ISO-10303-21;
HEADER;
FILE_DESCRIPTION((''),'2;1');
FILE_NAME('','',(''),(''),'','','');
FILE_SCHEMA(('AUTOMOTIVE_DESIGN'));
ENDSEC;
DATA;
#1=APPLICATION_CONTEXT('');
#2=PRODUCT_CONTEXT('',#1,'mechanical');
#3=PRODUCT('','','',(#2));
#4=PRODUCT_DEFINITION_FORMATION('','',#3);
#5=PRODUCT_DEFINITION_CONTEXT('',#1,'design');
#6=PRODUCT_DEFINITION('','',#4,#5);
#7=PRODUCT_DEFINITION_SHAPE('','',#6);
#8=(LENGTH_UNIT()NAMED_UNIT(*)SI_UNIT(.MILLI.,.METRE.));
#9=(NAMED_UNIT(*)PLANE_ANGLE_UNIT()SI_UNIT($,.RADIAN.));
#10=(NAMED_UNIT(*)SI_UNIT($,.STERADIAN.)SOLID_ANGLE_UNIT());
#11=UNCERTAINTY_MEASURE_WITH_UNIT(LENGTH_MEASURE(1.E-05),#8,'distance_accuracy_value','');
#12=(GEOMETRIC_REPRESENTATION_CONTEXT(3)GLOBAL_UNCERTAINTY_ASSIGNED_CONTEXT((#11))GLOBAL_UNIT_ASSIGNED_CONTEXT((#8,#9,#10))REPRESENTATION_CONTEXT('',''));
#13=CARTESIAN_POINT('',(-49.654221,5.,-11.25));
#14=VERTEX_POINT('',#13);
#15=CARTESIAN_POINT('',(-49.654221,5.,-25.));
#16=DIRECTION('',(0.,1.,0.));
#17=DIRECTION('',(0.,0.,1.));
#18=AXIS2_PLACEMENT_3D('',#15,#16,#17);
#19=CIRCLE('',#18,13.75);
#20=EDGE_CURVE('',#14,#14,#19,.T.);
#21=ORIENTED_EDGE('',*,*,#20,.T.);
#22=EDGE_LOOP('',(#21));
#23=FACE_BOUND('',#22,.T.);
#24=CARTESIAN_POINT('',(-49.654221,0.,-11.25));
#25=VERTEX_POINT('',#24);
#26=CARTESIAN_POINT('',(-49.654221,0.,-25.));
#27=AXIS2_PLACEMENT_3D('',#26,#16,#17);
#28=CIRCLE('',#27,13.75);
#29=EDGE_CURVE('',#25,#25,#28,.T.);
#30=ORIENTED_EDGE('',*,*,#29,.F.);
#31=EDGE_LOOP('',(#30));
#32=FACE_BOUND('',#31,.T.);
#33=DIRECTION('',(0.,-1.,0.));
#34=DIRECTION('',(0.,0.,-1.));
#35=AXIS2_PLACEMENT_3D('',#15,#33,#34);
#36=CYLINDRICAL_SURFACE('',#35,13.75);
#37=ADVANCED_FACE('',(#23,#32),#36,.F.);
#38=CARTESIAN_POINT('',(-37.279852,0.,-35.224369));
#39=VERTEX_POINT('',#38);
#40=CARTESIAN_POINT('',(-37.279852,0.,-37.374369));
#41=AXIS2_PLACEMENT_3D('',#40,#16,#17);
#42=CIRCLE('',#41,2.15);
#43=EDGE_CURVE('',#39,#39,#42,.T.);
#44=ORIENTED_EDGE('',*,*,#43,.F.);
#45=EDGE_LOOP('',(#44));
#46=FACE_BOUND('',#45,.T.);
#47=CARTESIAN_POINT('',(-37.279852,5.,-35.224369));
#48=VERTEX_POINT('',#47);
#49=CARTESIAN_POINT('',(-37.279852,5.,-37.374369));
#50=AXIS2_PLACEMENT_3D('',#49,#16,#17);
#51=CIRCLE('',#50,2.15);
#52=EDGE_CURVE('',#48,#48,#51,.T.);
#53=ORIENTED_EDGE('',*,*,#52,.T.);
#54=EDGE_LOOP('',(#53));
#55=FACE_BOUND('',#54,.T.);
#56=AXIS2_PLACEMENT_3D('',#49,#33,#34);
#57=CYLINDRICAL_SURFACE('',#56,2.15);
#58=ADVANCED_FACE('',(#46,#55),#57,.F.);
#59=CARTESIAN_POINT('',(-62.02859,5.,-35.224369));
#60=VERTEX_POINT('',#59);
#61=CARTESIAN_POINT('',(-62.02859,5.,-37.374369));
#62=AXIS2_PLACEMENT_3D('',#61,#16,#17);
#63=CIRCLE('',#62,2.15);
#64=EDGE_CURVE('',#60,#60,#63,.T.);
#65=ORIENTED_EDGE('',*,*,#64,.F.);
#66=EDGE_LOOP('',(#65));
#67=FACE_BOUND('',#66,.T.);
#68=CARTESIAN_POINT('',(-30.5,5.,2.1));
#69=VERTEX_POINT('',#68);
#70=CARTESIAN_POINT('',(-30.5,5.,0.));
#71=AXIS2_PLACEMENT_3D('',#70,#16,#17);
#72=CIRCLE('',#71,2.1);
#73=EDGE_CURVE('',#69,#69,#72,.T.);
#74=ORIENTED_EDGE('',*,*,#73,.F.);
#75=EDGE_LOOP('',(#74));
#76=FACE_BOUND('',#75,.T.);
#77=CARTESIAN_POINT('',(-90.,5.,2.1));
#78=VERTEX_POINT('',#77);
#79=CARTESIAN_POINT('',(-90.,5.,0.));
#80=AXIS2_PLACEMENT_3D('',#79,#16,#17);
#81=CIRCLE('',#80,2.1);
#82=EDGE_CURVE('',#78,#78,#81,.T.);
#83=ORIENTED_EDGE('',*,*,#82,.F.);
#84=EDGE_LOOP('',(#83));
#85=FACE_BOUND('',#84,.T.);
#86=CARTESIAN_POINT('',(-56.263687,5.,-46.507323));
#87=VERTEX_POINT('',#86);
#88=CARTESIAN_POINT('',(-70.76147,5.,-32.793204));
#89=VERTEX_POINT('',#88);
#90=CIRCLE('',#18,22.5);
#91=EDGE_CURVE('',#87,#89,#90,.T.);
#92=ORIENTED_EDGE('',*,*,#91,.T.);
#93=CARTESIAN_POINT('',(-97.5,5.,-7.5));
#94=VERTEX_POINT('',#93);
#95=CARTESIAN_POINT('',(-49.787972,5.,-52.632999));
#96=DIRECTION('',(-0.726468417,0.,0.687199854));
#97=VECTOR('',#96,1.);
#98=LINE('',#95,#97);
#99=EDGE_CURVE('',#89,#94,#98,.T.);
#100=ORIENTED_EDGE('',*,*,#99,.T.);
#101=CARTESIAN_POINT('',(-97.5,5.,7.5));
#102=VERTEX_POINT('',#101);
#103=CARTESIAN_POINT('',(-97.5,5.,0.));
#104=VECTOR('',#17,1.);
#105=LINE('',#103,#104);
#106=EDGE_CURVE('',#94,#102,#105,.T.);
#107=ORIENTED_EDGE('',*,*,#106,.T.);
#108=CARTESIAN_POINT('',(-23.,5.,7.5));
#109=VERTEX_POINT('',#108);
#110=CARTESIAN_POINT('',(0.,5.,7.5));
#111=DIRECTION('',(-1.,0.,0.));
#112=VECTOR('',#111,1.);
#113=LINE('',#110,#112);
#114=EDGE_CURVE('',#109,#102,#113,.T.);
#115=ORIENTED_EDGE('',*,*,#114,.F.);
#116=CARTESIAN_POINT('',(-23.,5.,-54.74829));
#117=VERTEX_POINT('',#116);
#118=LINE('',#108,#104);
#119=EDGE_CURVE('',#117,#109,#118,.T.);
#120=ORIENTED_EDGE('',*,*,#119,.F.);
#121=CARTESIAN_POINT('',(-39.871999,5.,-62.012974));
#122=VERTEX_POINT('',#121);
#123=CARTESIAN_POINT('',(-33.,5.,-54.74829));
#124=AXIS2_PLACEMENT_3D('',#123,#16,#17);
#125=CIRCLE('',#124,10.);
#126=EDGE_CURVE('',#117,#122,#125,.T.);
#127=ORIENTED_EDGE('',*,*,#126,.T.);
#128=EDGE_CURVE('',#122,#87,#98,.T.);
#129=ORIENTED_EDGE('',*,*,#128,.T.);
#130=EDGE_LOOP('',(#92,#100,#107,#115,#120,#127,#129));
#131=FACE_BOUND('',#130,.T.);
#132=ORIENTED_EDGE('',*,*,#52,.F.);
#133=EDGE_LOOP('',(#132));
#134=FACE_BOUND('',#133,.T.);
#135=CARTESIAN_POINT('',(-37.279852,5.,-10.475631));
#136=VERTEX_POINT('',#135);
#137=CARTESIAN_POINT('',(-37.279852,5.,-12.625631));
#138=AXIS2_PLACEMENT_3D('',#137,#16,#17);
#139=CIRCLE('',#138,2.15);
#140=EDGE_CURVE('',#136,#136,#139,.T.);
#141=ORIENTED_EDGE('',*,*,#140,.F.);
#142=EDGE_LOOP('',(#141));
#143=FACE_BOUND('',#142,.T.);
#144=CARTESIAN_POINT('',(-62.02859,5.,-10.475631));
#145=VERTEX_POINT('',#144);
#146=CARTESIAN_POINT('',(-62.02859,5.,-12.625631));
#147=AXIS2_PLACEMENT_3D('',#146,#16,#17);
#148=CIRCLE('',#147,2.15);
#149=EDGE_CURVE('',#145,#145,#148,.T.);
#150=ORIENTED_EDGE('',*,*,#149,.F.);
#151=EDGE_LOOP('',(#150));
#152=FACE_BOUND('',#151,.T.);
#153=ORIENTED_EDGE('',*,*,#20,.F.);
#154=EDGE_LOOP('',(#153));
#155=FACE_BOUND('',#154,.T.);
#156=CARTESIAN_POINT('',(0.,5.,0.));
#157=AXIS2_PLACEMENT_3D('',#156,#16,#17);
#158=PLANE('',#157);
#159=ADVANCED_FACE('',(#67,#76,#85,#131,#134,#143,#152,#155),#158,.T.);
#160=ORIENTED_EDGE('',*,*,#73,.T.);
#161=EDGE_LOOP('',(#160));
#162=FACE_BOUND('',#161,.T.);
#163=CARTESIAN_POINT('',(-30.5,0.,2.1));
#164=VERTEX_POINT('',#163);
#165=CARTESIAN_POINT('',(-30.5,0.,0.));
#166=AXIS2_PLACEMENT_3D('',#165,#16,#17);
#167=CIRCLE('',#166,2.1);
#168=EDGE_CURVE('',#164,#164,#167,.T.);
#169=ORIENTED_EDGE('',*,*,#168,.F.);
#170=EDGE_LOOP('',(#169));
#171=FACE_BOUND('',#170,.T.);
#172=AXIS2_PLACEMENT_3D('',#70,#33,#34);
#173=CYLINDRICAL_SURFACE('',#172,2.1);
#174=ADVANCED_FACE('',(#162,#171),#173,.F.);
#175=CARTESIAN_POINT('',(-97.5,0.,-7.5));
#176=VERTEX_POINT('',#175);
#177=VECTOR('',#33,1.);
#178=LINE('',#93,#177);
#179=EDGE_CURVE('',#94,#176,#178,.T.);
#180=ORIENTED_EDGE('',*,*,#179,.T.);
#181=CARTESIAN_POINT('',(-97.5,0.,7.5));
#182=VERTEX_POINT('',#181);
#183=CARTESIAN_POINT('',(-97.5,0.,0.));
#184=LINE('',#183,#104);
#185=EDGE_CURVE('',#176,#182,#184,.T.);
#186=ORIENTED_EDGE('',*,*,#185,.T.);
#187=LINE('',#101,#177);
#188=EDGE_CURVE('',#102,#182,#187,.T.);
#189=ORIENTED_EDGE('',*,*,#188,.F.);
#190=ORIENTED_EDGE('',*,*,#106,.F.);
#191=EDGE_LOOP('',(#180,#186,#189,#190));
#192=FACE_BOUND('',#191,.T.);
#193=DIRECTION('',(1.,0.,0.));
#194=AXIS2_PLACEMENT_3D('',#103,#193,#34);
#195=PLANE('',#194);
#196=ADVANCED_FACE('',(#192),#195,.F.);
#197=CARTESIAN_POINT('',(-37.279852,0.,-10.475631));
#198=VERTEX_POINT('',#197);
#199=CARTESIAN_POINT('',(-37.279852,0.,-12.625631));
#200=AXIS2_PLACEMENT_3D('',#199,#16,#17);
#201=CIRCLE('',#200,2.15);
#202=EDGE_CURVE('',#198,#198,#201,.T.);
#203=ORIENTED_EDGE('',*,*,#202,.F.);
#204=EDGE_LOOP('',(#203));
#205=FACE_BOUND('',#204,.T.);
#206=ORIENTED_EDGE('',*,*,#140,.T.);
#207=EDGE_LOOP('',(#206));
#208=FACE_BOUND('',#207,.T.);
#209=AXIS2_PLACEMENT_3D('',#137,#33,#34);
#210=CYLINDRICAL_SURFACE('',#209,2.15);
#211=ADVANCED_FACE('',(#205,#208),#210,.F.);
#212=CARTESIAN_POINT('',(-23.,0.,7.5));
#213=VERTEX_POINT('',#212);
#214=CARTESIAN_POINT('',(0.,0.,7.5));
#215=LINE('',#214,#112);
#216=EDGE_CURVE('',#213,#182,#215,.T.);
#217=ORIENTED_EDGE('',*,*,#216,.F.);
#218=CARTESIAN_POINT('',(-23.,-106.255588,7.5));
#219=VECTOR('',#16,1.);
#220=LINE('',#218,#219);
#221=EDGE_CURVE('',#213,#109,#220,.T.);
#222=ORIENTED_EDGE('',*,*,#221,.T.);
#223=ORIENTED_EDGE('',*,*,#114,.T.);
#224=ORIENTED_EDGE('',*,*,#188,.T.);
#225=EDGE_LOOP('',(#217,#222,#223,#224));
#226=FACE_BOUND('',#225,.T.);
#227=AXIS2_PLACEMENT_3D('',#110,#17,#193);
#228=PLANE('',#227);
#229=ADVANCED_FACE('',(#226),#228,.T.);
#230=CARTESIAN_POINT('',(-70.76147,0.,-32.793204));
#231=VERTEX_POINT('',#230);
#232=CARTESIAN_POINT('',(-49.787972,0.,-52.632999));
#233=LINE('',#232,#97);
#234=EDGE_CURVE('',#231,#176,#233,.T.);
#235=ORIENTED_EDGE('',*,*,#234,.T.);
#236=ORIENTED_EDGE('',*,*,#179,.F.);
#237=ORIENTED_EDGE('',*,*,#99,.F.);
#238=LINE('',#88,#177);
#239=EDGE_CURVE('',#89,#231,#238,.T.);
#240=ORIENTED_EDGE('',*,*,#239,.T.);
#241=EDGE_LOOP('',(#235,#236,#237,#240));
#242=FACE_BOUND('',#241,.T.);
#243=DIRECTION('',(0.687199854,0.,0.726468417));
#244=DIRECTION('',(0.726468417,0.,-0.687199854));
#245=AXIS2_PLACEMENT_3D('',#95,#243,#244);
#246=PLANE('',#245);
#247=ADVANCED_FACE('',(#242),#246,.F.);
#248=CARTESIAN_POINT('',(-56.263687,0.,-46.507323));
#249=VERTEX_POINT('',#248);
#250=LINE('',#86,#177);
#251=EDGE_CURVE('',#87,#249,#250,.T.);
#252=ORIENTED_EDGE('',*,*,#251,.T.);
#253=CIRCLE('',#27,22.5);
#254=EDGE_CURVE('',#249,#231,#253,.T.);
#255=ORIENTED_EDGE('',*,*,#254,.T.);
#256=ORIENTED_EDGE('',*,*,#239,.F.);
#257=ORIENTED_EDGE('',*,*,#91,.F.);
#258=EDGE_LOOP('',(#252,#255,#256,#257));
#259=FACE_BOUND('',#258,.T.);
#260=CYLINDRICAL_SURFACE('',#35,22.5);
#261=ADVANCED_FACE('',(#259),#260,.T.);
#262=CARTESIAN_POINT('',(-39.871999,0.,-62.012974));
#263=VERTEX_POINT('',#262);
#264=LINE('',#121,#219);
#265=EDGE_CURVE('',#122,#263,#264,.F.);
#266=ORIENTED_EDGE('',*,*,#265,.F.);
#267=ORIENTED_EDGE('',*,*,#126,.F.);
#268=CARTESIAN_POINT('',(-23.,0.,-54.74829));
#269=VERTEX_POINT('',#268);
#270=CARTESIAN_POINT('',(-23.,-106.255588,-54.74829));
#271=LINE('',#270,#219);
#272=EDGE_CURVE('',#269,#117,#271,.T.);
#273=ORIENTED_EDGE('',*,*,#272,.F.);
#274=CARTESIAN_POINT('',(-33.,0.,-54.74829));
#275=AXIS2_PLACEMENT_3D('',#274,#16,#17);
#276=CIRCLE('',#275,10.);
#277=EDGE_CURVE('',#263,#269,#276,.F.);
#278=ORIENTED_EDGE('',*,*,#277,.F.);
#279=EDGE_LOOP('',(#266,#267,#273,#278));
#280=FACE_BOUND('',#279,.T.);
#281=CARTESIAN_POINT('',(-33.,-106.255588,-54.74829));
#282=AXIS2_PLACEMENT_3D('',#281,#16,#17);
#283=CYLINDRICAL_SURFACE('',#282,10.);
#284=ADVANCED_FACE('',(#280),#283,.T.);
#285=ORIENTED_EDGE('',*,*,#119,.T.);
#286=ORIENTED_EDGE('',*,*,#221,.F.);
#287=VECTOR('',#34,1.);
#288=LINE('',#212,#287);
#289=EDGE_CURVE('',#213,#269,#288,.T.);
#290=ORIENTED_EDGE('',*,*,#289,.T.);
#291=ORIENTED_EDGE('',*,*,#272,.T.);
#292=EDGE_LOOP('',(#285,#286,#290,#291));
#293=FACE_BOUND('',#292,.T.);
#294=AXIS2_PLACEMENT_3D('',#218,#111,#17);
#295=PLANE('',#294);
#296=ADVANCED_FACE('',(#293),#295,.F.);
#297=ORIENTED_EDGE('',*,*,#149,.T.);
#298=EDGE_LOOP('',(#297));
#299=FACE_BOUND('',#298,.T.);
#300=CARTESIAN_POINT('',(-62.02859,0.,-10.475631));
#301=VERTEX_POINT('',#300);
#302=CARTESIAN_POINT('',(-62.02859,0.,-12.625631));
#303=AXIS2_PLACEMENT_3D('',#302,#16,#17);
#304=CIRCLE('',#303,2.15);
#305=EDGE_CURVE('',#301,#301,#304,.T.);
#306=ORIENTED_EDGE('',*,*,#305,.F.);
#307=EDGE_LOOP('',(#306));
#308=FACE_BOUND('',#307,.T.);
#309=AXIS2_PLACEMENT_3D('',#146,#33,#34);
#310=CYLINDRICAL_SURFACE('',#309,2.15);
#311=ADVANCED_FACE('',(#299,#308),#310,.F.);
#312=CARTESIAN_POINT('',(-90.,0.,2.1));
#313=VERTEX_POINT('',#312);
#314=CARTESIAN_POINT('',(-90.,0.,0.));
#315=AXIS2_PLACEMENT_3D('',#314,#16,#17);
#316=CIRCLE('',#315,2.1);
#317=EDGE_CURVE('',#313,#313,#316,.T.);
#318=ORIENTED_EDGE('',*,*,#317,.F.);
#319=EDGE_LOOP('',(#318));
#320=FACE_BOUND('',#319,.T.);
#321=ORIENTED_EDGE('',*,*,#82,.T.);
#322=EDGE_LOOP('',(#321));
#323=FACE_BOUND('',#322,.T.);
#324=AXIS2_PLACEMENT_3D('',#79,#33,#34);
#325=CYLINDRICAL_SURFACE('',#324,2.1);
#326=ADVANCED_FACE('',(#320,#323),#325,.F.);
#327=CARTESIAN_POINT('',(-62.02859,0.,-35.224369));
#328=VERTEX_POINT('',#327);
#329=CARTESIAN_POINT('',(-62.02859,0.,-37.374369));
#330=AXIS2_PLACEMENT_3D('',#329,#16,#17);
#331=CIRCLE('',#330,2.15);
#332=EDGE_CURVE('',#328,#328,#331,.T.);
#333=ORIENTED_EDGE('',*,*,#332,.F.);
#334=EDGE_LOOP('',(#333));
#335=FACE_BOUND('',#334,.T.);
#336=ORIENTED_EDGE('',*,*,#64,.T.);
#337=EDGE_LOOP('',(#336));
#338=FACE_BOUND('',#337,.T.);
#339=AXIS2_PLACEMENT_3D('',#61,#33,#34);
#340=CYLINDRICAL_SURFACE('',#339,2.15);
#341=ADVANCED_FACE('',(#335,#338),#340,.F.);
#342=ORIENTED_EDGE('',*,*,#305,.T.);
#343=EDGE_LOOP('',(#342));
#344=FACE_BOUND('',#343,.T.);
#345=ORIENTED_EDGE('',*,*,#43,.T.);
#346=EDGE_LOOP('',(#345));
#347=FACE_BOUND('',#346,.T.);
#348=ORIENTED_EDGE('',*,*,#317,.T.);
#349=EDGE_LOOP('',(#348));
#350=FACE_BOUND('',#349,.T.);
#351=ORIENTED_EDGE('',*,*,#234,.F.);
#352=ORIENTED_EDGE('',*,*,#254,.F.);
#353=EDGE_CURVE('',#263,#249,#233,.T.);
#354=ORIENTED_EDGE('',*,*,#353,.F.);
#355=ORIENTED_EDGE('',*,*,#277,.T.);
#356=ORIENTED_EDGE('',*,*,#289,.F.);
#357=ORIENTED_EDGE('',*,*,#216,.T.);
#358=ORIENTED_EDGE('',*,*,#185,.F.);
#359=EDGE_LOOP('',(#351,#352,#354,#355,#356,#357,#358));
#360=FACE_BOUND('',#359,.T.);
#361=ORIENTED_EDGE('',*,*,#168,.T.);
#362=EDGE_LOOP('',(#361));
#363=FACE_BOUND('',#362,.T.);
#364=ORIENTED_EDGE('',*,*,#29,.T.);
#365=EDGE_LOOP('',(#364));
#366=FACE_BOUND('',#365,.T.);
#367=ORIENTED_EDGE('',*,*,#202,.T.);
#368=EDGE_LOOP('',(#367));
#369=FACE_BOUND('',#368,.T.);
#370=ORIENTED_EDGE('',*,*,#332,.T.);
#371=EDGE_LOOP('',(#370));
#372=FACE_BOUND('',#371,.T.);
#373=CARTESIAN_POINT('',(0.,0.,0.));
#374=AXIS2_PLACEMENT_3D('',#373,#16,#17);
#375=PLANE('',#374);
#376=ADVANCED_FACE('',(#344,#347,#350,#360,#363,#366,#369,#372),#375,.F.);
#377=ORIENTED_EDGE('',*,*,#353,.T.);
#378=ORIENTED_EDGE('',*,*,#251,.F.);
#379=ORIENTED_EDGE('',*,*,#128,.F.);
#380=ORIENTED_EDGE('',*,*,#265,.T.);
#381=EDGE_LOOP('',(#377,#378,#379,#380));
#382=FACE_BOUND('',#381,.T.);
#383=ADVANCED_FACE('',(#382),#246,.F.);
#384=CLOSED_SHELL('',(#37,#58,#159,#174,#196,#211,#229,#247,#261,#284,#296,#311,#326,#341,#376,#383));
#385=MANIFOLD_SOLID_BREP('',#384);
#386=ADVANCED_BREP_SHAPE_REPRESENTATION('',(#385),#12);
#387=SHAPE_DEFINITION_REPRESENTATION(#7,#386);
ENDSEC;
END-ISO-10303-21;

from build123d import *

# Parameters (mm, degrees)
SKETCH_1_R          = 2.1
SKETCH_1_R_2        = 2.15
SKETCH_1_R_3        = 13.75
EXTRUDE_1_DEPTH     = 5
CUT_EXTRUDE_1_DEPTH = 5
FILLET_1_R          = 10


with BuildPart() as part:
    # ｽｹｯﾁ1 → ﾎﾞｽ - 押し出し1 (new body)
    with BuildSketch(Plane(origin=(0, 0, 0), x_dir=(1, 0, 0), z_dir=(0, 1, 0))):
        with BuildLine():
            Line((5, -7.5), (5, 0))
            Line((5, 0), (5, 90))
            Line((5, 90), (5, 95))
            Line((5, 95), (-5, 95))
            Line((-5, 95), (-56.263686619, 46.507323468))
            ThreePointArc((-56.263686619, 46.507323468), (-65.116217602, 41.345539381), (-70.761470202, 32.793203863))
            Line((-70.761470202, 32.793203863), (-97.5, 7.5))
            Line((-97.5, 7.5), (-97.5, -7.5))
            Line((-97.5, -7.5), (0, -7.5))
            Line((0, -7.5), (5, -7.5))
        make_face()
        with Locations(Location((-90, 0, 0), (0, 0, 270))):
            Circle(SKETCH_1_R, mode=Mode.SUBTRACT)
        with Locations(Location((-62.02858956, 12.625631329, 0), (0, 0, 270))):
            Circle(SKETCH_1_R_2, mode=Mode.SUBTRACT)
        with Locations(Location((-49.654220889, 25, 0), (0, 0, 270))):
            Circle(SKETCH_1_R_3, mode=Mode.SUBTRACT)
        with Locations(Location((-62.02858956, 37.374368671, 0), (0, 0, 270))):
            Circle(SKETCH_1_R_2, mode=Mode.SUBTRACT)
        with Locations(Location((-30.5, 0, 0), (0, 0, 270))):
            Circle(SKETCH_1_R, mode=Mode.SUBTRACT)
        with Locations(Location((-37.279852219, 12.625631329, 0), (0, 0, 270))):
            Circle(SKETCH_1_R_2, mode=Mode.SUBTRACT)
        with Locations(Location((0, 0, 0), (0, 0, 270))):
            Circle(SKETCH_1_R, mode=Mode.SUBTRACT)
        with Locations(Location((-37.279852219, 37.374368671, 0), (0, 0, 270))):
            Circle(SKETCH_1_R_2, mode=Mode.SUBTRACT)
        with Locations(Location((0, 90, 0), (0, 0, 270))):
            Circle(SKETCH_1_R_2, mode=Mode.SUBTRACT)
    extrude(amount=EXTRUDE_1_DEPTH)

    # ｽｹｯﾁ2 → ｶｯﾄ - 押し出し1 (cut)
    with BuildSketch(Plane(origin=(0, 5, 0), x_dir=(1, 0, 0), z_dir=(0, 1, 0))):
        Polygon((-23, -7.5), (-23, 77.972972973), (-5, 95), (5, 95), (5, -7.5), align=None)
    extrude(amount=-CUT_EXTRUDE_1_DEPTH, mode=Mode.SUBTRACT)

    # ﾌｨﾚｯﾄ1
    fillet_1_edges = [part.edges().sort_by_distance(p)[0] for p in [
        (-23, 2.5, -77.972972973),
    ]]
    fillet(fillet_1_edges, radius=FILLET_1_R)


solid = part.part
